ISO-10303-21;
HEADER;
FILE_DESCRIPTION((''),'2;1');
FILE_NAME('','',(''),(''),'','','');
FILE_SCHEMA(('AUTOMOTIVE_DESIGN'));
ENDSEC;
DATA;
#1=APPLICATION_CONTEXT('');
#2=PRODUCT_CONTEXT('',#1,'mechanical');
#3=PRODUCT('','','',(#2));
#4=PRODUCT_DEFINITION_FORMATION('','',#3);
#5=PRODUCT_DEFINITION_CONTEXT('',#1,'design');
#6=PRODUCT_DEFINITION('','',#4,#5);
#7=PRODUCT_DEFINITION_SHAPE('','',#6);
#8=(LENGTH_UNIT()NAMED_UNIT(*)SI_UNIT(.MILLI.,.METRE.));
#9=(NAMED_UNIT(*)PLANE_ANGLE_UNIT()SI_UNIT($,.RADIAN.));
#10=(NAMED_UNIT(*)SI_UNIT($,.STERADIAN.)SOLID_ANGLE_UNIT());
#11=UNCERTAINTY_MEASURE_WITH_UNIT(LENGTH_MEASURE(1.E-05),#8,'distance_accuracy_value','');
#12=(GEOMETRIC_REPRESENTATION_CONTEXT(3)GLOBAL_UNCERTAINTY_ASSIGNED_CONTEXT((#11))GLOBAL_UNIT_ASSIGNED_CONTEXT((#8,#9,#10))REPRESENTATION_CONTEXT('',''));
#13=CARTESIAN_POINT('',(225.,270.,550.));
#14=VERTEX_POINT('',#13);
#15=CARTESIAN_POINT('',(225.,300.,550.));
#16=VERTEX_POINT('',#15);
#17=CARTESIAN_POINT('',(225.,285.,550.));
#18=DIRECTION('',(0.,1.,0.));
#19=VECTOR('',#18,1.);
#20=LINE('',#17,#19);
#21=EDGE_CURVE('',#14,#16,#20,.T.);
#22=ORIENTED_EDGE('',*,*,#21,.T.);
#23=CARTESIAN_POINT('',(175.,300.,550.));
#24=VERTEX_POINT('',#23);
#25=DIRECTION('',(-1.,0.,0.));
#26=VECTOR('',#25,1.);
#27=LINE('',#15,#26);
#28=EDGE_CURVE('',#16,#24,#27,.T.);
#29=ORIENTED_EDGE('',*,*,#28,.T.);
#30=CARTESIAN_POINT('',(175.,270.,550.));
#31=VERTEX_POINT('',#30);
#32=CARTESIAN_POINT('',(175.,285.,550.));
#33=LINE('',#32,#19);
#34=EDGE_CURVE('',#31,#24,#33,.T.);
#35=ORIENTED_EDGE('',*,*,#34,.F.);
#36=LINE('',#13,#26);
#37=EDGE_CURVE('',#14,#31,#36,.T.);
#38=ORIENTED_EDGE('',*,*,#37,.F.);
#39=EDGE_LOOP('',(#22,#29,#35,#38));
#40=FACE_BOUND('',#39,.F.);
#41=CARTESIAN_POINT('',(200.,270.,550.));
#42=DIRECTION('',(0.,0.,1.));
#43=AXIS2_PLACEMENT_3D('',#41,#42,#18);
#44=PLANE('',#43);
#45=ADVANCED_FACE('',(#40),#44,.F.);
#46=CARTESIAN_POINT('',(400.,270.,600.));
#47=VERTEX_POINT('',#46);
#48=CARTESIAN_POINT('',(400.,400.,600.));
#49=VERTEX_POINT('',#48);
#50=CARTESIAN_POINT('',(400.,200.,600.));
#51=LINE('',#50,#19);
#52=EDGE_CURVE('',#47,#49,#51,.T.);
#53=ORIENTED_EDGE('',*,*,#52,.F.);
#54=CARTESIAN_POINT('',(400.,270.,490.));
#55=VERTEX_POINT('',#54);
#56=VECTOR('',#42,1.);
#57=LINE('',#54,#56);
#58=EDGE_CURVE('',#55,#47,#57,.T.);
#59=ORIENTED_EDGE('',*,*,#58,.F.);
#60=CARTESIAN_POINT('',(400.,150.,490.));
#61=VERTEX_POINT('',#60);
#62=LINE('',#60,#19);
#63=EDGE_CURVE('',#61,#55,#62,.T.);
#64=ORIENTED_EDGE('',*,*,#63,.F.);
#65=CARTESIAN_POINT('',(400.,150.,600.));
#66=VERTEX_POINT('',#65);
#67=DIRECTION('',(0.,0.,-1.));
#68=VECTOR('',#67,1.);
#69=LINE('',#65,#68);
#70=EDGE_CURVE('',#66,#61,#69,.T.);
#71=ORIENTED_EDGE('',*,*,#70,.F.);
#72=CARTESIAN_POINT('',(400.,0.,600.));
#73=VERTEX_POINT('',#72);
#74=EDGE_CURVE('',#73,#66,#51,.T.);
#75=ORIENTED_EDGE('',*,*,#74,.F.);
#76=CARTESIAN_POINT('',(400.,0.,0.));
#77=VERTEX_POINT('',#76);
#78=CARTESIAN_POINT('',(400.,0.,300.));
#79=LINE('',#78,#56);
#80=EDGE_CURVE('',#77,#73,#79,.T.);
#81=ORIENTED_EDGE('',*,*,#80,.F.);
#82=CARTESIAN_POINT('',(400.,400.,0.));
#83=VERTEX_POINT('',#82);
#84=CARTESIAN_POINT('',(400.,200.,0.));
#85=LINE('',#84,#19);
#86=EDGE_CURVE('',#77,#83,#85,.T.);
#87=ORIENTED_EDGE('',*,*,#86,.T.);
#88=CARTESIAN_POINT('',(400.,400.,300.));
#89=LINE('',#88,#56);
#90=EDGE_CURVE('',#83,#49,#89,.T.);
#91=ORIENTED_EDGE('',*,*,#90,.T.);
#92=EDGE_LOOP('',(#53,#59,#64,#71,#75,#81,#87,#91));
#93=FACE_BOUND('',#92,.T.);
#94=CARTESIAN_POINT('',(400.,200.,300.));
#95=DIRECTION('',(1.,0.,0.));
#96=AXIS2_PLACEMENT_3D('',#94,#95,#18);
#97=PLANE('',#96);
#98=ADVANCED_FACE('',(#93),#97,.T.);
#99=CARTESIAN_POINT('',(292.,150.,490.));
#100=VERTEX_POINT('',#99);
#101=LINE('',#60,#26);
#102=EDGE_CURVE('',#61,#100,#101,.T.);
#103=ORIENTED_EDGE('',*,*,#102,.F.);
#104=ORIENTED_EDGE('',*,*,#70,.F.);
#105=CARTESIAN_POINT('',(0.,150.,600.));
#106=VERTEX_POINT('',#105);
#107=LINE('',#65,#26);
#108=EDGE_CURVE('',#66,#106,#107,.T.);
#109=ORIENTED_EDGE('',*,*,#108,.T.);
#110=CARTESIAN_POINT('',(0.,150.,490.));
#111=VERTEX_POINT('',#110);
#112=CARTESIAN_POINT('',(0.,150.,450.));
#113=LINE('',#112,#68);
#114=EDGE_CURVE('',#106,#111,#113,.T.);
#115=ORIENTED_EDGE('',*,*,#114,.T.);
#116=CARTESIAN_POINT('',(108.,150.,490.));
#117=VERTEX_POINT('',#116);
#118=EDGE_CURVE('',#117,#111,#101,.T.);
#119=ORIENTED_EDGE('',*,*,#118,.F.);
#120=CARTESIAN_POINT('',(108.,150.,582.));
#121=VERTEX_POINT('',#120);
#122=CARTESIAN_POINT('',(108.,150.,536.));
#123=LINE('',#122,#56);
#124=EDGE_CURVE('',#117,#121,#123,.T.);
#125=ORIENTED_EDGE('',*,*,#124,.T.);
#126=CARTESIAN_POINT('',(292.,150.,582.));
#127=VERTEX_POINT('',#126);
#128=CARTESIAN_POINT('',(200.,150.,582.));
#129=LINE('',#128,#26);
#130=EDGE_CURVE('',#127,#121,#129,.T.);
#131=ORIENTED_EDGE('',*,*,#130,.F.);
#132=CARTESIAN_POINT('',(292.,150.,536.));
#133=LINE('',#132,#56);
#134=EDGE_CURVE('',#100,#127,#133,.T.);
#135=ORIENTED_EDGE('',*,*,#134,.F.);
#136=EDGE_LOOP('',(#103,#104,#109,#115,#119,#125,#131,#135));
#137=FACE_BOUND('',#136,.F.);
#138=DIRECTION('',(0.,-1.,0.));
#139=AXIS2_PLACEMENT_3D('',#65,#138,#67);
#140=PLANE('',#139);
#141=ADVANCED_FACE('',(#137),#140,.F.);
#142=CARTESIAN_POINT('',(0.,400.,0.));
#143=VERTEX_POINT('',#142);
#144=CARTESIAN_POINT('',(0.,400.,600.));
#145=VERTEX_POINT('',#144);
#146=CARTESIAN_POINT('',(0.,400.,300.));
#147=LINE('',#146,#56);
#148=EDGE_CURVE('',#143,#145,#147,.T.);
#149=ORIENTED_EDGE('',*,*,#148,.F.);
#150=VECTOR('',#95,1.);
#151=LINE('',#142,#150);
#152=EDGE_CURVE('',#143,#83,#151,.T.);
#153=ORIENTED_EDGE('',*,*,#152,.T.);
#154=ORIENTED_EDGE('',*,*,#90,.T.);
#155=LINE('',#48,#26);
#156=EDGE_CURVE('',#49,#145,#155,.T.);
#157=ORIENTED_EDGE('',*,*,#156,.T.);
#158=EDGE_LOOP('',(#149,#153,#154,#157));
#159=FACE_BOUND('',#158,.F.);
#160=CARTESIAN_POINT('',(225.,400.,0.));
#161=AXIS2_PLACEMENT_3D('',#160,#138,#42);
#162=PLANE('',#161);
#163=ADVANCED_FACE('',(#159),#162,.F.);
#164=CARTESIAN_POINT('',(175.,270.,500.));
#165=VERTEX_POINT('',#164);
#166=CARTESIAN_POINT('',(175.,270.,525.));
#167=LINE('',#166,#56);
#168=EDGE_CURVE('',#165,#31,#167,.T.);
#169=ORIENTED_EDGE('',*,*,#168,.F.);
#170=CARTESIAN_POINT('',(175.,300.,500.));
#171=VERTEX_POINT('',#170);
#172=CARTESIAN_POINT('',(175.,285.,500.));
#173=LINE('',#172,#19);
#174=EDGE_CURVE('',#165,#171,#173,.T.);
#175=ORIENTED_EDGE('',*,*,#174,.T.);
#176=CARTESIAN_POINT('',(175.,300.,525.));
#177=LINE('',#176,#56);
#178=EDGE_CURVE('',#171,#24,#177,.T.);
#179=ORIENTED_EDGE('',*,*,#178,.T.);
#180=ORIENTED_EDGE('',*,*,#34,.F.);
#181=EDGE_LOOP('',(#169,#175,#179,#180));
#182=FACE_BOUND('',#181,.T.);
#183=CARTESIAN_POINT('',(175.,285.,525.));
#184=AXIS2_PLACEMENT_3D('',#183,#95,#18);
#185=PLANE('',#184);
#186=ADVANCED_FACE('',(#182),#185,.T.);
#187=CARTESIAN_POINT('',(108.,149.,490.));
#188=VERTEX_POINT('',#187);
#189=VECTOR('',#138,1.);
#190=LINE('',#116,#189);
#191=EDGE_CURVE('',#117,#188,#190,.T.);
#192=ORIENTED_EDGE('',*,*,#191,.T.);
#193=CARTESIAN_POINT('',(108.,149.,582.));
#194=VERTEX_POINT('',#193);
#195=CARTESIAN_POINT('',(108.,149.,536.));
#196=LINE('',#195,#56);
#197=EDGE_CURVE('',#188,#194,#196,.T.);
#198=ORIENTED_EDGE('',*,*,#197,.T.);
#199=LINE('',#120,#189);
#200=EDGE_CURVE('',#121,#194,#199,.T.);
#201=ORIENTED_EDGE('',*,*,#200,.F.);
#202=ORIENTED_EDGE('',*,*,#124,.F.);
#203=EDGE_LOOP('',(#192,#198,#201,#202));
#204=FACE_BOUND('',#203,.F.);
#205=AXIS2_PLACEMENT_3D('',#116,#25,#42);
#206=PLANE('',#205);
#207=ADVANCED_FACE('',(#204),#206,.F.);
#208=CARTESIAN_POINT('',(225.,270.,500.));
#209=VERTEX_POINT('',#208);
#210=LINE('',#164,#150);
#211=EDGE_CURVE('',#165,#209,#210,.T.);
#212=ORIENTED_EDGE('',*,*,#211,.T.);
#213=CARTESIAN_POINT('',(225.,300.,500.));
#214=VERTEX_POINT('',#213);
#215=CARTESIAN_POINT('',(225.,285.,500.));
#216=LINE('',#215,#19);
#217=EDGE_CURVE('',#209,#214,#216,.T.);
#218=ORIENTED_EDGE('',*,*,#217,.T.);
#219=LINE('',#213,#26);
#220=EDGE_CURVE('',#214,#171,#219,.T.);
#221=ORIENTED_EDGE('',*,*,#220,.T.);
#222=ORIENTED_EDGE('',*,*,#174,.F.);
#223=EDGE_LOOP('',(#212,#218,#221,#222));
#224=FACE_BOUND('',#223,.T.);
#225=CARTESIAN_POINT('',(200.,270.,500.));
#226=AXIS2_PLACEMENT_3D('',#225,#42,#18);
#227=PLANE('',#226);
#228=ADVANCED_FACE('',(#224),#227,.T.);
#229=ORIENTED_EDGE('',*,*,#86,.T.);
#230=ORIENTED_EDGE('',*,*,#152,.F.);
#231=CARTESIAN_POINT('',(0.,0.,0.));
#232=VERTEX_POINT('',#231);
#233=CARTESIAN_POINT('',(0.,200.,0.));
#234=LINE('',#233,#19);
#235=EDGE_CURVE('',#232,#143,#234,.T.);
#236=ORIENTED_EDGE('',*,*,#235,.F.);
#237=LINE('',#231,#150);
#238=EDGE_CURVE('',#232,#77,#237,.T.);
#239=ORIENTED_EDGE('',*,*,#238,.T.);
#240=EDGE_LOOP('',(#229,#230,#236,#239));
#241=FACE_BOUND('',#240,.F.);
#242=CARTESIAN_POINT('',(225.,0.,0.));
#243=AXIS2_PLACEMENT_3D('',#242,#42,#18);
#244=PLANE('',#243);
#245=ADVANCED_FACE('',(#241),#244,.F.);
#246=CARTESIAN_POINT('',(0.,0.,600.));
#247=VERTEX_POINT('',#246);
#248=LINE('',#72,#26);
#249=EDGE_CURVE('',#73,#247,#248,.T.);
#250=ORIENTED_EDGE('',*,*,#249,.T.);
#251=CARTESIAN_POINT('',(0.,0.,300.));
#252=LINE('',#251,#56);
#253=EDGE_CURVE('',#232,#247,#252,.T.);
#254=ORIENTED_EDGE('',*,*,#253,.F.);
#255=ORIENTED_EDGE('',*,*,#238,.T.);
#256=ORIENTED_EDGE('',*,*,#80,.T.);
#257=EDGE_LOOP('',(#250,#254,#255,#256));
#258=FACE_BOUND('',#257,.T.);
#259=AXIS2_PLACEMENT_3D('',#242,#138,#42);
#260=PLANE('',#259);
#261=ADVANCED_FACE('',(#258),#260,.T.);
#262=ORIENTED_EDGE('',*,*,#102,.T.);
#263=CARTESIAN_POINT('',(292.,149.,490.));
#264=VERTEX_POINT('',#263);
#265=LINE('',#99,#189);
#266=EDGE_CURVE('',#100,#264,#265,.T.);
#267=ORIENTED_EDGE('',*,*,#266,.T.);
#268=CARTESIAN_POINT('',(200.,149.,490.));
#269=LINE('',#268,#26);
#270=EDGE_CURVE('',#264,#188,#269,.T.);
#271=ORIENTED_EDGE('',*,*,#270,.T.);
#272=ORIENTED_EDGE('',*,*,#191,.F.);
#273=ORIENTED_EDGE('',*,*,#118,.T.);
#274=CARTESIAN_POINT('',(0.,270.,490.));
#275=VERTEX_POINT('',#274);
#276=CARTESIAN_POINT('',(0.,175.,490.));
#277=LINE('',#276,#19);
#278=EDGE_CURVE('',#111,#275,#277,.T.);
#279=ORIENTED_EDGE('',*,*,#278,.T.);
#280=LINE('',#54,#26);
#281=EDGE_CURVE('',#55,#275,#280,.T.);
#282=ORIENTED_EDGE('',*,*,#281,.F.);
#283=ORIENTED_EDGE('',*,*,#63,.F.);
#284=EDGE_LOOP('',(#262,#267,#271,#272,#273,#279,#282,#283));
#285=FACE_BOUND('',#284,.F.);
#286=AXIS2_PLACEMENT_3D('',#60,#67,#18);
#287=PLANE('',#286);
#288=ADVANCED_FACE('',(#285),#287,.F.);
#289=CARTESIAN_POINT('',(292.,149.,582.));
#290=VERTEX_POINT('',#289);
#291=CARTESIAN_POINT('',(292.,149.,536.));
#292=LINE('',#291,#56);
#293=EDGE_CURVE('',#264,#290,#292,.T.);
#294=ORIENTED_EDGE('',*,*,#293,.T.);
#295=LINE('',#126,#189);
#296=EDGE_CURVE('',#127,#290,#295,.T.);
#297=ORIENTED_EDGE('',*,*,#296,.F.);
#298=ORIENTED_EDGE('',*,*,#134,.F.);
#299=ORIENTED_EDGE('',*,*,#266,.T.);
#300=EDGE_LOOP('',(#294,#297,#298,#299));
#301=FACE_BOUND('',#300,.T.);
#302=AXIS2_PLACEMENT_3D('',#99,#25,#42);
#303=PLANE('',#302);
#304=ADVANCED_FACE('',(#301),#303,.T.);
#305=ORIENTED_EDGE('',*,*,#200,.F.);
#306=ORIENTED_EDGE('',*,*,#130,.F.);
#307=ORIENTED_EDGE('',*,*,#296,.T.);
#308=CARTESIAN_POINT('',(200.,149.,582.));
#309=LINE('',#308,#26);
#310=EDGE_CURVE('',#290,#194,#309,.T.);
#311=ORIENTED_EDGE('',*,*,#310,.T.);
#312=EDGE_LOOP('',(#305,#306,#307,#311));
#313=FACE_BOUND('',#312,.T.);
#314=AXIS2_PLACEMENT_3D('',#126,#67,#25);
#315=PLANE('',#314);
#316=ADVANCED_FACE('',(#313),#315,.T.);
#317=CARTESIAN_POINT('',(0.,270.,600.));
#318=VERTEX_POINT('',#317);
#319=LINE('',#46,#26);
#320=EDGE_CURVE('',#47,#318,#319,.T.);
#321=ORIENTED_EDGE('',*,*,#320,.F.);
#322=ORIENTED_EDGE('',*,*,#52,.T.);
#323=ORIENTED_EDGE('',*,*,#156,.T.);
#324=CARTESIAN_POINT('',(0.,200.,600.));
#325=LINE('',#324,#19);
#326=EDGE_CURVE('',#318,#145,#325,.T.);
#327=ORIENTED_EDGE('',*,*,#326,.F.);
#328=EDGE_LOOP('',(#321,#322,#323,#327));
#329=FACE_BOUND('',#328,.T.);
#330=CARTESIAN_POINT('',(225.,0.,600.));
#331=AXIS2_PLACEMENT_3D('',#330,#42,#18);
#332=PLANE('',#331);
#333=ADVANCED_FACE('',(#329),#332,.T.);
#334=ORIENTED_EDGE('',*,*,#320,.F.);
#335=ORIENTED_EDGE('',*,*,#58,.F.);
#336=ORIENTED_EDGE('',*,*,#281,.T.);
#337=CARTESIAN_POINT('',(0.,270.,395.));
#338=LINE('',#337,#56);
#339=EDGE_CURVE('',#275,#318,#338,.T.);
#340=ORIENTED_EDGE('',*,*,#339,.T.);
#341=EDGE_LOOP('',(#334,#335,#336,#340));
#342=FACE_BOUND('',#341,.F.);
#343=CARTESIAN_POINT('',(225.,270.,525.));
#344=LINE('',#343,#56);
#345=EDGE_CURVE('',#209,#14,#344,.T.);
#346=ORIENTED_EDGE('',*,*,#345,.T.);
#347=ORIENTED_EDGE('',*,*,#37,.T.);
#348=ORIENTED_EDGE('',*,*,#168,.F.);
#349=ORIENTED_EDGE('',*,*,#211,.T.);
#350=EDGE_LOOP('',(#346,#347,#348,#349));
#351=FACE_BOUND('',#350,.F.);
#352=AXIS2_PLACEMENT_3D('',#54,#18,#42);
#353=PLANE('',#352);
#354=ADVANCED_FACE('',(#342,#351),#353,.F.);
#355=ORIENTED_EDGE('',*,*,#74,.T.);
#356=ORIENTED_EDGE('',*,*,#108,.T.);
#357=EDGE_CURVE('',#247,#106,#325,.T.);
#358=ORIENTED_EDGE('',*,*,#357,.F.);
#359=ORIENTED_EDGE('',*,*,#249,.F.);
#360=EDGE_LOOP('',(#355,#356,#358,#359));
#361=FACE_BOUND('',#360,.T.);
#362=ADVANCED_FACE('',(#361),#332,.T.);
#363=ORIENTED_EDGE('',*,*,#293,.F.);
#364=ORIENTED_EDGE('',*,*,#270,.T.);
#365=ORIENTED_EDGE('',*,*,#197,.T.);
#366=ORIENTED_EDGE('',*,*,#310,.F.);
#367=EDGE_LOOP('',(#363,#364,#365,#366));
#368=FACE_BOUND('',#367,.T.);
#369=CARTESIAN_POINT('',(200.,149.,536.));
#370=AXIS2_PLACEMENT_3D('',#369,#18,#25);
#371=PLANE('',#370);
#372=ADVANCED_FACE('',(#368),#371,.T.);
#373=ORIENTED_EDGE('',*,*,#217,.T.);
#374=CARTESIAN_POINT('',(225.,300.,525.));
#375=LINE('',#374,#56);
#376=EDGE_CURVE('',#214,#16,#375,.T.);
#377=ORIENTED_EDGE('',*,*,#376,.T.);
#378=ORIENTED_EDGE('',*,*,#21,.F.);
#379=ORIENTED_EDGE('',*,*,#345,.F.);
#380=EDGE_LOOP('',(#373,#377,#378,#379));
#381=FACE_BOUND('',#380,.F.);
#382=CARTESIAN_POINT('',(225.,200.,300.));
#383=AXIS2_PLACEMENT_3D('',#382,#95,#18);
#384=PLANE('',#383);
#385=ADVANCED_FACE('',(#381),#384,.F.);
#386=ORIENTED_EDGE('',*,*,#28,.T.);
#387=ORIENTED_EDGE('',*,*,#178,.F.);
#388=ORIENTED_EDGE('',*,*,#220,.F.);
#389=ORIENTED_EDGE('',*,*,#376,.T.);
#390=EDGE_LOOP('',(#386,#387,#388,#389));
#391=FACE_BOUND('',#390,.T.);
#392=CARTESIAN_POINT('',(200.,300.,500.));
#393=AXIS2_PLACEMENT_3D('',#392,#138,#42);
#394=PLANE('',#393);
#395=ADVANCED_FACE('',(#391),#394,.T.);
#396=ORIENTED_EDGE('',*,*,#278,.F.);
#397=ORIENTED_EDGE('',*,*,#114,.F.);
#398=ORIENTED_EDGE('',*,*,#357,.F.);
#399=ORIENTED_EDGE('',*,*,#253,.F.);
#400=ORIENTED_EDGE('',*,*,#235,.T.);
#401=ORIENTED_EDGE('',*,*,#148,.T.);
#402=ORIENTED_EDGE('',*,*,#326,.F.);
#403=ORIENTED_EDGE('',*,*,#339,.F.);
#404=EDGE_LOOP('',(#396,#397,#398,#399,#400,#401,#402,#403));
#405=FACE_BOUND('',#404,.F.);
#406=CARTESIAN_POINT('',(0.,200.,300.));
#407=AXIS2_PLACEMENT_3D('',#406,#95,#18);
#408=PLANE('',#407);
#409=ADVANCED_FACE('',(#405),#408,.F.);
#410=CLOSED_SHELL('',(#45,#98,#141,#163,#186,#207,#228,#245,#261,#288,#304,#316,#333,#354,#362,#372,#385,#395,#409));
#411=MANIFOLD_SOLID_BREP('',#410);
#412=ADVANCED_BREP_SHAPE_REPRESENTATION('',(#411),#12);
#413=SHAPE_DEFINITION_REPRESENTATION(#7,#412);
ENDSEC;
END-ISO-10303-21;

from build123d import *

# Parameters (mm, degrees)
F0_W        = 400
F0_H        = 600
F1_DEPTH    = 200
F2_W        = 30
F2_H        = 50
F3_DEPTH    = 25
F1_FACE_W   = 400
F1_FACE_H   = 600
F1_FACE_W_2 = 30
F1_FACE_H_2 = 50
F4_DEPTH    = 25
F5_W        = 400
F5_H        = 600
F6_DEPTH    = 175
F8_DEPTH    = 400.001
F9_W        = 184
F9_H        = 92
F10_DEPTH   = 1


with BuildPart() as f1:
    # F0 (on Right) → F1 (new body)
    with BuildSketch(Plane.YZ):
        with Locations((200, 300)):
            Rectangle(F0_W, F0_H)
    extrude(amount=F1_DEPTH)

    # F2 (on face) → F3 (cut)
    with BuildSketch(Plane.YZ.offset(200)):
        with Locations((285, 525)):
            Rectangle(F2_W, F2_H)
    extrude(amount=-F3_DEPTH, mode=Mode.SUBTRACT)

    # F1_face (on face) → F4 (join)
    with BuildSketch(Plane(origin=(200, 200, 300), x_dir=(0, 1, 0), z_dir=(1, 0, 0))):
        Rectangle(F1_FACE_W, F1_FACE_H)
        with Locations((85, 225)):
            Rectangle(F1_FACE_W_2, F1_FACE_H_2, mode=Mode.SUBTRACT)
    extrude(amount=F4_DEPTH)

    # F5 (on face) → F6 (join)
    with BuildSketch(Plane.YZ.offset(225)):
        with Locations((200, 300)):
            Rectangle(F5_W, F5_H)
    extrude(amount=F6_DEPTH)

    # F7 (on face) → F8 (cut, through all)
    with BuildSketch(Plane.YZ.offset(400)):
        Polygon((270, 550), (270, 600), (150, 600), (150, 490), (270, 490), (270, 500), align=None)
    extrude(amount=-F8_DEPTH, mode=Mode.SUBTRACT)

    # F9 (on face) → F10 (cut)
    with BuildSketch(Plane(origin=(0, 150, 0), x_dir=(-1, 0, 0), z_dir=(0, 1, 0))):
        with Locations((-200, 536)):
            Rectangle(F9_W, F9_H)
    extrude(amount=-F10_DEPTH, mode=Mode.SUBTRACT)


solid = f1.part
